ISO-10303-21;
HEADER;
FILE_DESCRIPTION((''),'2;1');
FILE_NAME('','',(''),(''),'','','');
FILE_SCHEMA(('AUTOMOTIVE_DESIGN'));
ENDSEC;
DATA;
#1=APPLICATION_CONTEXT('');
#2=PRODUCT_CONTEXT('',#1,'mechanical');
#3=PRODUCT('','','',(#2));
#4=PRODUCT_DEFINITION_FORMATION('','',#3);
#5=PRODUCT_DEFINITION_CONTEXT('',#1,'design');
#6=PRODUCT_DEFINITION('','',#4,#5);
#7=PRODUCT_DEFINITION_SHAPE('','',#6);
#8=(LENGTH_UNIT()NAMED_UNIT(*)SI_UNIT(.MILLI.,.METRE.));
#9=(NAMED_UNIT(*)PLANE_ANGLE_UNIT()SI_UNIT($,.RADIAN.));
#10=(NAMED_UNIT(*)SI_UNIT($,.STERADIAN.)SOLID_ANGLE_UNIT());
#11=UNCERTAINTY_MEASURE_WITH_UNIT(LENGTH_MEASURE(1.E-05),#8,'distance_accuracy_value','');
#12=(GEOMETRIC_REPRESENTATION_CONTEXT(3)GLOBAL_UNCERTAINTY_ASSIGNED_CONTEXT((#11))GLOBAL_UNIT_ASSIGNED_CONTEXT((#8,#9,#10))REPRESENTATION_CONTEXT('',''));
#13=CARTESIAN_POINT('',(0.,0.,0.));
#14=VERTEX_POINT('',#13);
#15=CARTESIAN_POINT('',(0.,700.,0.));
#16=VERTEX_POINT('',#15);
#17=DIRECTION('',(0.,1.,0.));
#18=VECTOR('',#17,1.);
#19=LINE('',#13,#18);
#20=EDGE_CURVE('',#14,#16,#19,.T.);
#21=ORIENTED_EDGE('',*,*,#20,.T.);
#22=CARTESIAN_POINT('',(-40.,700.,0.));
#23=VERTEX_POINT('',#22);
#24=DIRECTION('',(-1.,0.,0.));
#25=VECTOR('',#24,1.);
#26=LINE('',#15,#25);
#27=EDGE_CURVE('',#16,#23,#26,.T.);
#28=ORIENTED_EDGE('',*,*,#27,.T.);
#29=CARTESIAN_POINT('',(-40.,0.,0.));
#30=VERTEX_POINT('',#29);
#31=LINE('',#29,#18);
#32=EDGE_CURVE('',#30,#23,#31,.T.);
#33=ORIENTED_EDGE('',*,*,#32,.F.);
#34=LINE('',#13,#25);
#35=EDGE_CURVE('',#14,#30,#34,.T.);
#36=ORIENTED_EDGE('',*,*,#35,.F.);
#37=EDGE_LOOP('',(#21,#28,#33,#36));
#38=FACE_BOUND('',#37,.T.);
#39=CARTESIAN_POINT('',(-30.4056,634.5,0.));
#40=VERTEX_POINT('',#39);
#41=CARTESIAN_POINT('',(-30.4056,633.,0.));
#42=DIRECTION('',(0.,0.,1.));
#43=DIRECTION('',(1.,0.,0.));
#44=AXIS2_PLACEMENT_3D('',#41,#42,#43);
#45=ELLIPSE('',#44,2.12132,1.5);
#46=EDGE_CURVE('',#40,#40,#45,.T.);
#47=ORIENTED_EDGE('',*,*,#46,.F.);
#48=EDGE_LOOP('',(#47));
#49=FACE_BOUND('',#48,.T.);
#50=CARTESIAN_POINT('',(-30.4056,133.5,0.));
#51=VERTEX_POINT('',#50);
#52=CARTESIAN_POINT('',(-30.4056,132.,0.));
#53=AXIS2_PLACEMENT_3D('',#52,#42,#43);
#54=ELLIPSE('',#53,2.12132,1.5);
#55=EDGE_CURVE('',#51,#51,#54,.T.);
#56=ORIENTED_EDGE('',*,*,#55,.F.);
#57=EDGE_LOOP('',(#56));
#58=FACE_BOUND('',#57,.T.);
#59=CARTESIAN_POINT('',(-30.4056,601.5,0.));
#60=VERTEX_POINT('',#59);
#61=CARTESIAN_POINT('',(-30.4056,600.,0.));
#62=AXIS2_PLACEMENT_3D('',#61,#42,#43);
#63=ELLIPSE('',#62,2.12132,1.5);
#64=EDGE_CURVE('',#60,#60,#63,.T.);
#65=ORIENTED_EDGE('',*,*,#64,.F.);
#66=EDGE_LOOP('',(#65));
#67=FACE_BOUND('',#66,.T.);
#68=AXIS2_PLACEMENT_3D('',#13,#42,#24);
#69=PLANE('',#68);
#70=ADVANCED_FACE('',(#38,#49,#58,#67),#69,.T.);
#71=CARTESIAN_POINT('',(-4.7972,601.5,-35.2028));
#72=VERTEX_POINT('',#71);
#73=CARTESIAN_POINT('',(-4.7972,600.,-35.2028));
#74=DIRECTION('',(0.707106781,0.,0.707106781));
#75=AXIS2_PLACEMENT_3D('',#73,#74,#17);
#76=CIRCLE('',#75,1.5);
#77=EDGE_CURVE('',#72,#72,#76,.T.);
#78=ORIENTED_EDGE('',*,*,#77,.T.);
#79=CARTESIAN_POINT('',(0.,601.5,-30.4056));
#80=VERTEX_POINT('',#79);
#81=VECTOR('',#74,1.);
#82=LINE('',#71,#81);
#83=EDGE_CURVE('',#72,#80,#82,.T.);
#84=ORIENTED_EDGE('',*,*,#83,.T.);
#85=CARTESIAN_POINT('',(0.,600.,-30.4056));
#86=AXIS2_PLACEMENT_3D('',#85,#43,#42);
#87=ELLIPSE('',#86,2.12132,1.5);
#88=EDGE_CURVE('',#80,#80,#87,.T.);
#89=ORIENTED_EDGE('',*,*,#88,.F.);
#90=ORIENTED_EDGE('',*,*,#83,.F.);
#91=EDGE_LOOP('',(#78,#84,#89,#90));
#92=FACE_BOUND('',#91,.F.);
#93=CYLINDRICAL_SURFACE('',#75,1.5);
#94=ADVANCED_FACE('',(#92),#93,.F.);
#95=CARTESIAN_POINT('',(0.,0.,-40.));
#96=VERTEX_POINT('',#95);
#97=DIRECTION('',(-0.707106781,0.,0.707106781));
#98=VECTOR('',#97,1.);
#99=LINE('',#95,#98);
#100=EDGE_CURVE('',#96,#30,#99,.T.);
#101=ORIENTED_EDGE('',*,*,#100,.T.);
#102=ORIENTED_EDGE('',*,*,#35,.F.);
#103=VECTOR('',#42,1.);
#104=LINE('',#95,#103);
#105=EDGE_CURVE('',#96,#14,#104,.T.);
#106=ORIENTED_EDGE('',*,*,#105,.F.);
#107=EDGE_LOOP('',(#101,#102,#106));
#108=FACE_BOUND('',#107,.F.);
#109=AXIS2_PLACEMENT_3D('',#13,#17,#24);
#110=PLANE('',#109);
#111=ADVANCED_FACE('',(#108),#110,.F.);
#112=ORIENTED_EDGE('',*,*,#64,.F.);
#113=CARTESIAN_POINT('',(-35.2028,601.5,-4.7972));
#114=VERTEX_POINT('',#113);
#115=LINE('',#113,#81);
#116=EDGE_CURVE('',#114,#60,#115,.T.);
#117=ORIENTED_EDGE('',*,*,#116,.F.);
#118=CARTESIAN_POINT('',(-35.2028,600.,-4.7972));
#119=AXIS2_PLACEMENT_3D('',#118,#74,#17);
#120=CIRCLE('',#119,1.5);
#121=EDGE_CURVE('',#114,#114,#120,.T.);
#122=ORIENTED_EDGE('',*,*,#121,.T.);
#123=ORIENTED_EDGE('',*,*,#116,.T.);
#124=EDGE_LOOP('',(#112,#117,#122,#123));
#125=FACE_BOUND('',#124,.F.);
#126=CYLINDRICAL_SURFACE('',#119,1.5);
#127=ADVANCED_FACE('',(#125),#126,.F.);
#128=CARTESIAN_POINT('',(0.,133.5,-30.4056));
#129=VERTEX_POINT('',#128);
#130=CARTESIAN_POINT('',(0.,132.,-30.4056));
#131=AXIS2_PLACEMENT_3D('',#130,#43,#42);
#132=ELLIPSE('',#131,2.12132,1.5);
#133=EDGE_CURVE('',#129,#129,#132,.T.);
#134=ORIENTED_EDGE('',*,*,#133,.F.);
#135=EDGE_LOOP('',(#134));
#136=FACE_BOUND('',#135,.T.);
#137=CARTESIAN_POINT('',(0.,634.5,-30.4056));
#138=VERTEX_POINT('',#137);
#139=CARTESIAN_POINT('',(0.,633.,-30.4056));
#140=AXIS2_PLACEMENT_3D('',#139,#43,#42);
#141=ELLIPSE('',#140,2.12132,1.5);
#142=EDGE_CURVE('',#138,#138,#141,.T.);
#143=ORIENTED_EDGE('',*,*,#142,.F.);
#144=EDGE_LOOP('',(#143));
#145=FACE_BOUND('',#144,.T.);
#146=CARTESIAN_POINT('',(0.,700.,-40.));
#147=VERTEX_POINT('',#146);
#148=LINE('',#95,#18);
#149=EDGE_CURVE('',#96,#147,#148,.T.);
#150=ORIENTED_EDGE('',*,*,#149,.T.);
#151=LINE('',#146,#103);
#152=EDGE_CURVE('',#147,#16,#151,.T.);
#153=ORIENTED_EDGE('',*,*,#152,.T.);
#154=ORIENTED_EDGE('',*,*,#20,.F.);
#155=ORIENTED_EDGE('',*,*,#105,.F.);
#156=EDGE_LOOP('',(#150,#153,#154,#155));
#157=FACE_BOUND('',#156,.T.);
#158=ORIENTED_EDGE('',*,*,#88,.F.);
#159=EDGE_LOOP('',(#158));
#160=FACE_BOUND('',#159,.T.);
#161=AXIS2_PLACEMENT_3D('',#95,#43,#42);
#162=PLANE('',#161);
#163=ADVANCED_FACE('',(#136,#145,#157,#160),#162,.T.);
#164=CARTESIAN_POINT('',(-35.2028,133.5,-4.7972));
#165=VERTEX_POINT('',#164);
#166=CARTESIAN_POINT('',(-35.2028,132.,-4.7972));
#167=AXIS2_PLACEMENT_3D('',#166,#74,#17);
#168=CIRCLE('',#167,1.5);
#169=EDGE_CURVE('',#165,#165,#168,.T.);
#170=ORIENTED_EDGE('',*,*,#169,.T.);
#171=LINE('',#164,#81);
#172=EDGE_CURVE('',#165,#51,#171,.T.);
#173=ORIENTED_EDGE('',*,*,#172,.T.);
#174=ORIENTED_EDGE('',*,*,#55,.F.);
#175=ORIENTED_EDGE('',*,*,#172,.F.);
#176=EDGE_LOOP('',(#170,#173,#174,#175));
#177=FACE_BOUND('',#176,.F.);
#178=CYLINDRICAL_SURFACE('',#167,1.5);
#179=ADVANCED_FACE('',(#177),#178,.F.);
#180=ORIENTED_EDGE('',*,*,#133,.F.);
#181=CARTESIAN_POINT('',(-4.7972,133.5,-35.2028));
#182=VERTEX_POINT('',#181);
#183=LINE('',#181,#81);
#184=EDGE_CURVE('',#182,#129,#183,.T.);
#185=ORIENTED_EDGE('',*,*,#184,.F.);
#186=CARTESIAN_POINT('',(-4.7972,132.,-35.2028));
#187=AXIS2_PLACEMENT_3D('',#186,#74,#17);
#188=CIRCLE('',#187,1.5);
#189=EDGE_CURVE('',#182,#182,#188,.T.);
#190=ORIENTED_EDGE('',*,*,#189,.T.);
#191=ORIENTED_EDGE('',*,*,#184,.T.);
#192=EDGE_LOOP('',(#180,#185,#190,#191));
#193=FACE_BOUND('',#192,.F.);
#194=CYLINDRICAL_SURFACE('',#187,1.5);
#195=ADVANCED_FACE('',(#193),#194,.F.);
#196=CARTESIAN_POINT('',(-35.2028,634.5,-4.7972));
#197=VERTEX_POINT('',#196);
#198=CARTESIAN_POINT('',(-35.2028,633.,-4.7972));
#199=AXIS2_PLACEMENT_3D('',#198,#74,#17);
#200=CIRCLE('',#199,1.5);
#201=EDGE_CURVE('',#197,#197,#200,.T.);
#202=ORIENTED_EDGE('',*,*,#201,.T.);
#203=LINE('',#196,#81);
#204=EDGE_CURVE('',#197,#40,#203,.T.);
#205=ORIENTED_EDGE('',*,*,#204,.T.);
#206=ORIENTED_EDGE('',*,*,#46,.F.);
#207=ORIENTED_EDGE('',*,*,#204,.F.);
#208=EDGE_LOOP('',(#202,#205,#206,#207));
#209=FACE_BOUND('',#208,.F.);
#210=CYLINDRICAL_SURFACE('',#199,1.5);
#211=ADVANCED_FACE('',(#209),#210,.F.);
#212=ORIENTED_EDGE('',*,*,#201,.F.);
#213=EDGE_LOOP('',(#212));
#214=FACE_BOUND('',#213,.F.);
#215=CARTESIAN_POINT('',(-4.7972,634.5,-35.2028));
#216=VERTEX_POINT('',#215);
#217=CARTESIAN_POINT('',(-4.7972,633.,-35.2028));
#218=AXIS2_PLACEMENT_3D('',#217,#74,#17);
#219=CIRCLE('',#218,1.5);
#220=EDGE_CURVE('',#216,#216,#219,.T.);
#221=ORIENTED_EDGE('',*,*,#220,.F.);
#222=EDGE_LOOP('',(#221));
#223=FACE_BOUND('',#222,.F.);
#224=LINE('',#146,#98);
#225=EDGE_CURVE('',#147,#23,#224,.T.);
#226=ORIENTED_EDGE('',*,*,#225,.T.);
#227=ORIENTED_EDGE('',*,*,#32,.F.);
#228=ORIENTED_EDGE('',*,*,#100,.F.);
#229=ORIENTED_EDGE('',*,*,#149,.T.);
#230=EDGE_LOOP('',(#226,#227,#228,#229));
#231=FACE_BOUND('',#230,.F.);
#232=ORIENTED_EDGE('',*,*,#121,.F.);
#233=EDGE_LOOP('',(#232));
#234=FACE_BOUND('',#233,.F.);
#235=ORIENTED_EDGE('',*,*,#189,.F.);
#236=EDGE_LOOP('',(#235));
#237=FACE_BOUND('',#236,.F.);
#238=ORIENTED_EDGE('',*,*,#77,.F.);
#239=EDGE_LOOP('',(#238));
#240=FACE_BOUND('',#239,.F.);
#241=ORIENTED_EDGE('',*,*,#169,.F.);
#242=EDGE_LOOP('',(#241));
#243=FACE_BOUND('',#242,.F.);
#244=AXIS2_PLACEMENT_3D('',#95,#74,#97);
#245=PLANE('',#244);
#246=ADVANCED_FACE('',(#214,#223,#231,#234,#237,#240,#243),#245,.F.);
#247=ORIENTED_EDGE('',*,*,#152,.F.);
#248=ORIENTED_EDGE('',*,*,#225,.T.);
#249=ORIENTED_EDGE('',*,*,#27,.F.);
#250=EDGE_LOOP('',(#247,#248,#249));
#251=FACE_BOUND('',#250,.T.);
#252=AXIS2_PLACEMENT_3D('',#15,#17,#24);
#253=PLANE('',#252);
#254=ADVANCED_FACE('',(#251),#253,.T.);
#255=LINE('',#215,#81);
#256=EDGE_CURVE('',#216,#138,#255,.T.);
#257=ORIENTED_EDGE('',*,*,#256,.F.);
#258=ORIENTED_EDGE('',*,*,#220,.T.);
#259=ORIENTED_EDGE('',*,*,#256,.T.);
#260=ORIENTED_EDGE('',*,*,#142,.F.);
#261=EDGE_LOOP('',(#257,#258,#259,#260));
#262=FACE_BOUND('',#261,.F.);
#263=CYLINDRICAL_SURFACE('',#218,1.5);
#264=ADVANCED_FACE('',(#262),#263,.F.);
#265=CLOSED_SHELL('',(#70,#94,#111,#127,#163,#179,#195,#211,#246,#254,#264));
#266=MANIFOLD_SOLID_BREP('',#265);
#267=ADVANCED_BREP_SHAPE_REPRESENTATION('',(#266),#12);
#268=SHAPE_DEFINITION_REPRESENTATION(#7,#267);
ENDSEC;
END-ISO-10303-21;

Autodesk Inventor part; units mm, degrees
ref_plane "YZ Plane" through (0, 0, 0) normal (1, 0, 0) x (0, 1, 0)
ref_plane "XZ Plane" through (0, 0, 0) normal (0, 1, 0) x (-1, 0, 0)
ref_plane "XY Plane" through (0, 0, 0) normal (0, 0, 1) x (1, 0, 0)
sketch "Esboço1" plane through (0, 0, 0) normal (0, 1, 0) x (-1, 0, 0)
  line L0 (0, 0) -> (40, 0)
  line L1 (0, -40) -> (0, 0)
  line L2 (0, -40) -> (40, 0)
extrude "Extrusão1" add sketch "Esboço1" along normal blind 700
sketch "Esboço2" plane through (-40, 0, 0) normal (-0.7071, 0, -0.7071) x (-0.7071, 0, 0.7071)
  line L0 (0, 700) -> (-28.2843, 700) projected
  line L1 (-28.2843, 700) -> (-28.2843, 600)
  line L2 (-28.2843, 0) -> (-28.2843, 700) projected
  line L3 (-28.2843, 600) -> (-6.7843, 600)
  line L4 (-6.7843, 600) -> (-28.2843, 600)
  line L5 (-28.2843, 600) -> (-49.7843, 600)
  dimension "d4" = 100
  dimension "d5" = 21.5
  dimension "d6" = 21.5
hole "Furo1" at (-35.2028, 600, -4.7972) at (-4.7972, 600, -35.2028) direction (0.7071, 0, 0.7071) diameter 3 end through all
sketch "Esboço3" plane through (-40, 0, 0) normal (-0.7071, 0, -0.7071) x (-0.7071, 0, 0.7071)
  circle A0 centre (-6.7843, 600) radius 1.5 projected
  line L0 (-6.7843, 600) -> (-6.7843, 132)
  circle A1 centre (-49.7843, 600) radius 1.5 projected
  line L1 (-49.7843, 600) -> (-49.7843, 132)
  point P0 (-28.2843, 0)
  dimension "d14" = 468
  dimension "d15" = 468
hole "Furo2" at (-35.2028, 132, -4.7972) at (-4.7972, 132, -35.2028) direction (0.7071, 0, 0.7071) diameter 3 end through all
sketch "Esboço4" plane through (-40, 0, 0) normal (-0.7071, 0, -0.7071) x (-0.7071, 0, 0.7071)
  circle A0 centre (-49.7843, 600) radius 1.5 projected
  line L0 (-49.7843, 600) -> (-49.7843, 633)
  point P0 (-28.2843, 0)
  point P1 (-6.7843, 633)
  dimension "d23" = 33
hole "Furo3" at (-4.7972, 633, -35.2028) at (-35.2028, 633, -4.7972) direction (0.7071, 0, 0.7071) diameter 3 end through all
properties part number "coluna" material "Madeira (Bétula)"
